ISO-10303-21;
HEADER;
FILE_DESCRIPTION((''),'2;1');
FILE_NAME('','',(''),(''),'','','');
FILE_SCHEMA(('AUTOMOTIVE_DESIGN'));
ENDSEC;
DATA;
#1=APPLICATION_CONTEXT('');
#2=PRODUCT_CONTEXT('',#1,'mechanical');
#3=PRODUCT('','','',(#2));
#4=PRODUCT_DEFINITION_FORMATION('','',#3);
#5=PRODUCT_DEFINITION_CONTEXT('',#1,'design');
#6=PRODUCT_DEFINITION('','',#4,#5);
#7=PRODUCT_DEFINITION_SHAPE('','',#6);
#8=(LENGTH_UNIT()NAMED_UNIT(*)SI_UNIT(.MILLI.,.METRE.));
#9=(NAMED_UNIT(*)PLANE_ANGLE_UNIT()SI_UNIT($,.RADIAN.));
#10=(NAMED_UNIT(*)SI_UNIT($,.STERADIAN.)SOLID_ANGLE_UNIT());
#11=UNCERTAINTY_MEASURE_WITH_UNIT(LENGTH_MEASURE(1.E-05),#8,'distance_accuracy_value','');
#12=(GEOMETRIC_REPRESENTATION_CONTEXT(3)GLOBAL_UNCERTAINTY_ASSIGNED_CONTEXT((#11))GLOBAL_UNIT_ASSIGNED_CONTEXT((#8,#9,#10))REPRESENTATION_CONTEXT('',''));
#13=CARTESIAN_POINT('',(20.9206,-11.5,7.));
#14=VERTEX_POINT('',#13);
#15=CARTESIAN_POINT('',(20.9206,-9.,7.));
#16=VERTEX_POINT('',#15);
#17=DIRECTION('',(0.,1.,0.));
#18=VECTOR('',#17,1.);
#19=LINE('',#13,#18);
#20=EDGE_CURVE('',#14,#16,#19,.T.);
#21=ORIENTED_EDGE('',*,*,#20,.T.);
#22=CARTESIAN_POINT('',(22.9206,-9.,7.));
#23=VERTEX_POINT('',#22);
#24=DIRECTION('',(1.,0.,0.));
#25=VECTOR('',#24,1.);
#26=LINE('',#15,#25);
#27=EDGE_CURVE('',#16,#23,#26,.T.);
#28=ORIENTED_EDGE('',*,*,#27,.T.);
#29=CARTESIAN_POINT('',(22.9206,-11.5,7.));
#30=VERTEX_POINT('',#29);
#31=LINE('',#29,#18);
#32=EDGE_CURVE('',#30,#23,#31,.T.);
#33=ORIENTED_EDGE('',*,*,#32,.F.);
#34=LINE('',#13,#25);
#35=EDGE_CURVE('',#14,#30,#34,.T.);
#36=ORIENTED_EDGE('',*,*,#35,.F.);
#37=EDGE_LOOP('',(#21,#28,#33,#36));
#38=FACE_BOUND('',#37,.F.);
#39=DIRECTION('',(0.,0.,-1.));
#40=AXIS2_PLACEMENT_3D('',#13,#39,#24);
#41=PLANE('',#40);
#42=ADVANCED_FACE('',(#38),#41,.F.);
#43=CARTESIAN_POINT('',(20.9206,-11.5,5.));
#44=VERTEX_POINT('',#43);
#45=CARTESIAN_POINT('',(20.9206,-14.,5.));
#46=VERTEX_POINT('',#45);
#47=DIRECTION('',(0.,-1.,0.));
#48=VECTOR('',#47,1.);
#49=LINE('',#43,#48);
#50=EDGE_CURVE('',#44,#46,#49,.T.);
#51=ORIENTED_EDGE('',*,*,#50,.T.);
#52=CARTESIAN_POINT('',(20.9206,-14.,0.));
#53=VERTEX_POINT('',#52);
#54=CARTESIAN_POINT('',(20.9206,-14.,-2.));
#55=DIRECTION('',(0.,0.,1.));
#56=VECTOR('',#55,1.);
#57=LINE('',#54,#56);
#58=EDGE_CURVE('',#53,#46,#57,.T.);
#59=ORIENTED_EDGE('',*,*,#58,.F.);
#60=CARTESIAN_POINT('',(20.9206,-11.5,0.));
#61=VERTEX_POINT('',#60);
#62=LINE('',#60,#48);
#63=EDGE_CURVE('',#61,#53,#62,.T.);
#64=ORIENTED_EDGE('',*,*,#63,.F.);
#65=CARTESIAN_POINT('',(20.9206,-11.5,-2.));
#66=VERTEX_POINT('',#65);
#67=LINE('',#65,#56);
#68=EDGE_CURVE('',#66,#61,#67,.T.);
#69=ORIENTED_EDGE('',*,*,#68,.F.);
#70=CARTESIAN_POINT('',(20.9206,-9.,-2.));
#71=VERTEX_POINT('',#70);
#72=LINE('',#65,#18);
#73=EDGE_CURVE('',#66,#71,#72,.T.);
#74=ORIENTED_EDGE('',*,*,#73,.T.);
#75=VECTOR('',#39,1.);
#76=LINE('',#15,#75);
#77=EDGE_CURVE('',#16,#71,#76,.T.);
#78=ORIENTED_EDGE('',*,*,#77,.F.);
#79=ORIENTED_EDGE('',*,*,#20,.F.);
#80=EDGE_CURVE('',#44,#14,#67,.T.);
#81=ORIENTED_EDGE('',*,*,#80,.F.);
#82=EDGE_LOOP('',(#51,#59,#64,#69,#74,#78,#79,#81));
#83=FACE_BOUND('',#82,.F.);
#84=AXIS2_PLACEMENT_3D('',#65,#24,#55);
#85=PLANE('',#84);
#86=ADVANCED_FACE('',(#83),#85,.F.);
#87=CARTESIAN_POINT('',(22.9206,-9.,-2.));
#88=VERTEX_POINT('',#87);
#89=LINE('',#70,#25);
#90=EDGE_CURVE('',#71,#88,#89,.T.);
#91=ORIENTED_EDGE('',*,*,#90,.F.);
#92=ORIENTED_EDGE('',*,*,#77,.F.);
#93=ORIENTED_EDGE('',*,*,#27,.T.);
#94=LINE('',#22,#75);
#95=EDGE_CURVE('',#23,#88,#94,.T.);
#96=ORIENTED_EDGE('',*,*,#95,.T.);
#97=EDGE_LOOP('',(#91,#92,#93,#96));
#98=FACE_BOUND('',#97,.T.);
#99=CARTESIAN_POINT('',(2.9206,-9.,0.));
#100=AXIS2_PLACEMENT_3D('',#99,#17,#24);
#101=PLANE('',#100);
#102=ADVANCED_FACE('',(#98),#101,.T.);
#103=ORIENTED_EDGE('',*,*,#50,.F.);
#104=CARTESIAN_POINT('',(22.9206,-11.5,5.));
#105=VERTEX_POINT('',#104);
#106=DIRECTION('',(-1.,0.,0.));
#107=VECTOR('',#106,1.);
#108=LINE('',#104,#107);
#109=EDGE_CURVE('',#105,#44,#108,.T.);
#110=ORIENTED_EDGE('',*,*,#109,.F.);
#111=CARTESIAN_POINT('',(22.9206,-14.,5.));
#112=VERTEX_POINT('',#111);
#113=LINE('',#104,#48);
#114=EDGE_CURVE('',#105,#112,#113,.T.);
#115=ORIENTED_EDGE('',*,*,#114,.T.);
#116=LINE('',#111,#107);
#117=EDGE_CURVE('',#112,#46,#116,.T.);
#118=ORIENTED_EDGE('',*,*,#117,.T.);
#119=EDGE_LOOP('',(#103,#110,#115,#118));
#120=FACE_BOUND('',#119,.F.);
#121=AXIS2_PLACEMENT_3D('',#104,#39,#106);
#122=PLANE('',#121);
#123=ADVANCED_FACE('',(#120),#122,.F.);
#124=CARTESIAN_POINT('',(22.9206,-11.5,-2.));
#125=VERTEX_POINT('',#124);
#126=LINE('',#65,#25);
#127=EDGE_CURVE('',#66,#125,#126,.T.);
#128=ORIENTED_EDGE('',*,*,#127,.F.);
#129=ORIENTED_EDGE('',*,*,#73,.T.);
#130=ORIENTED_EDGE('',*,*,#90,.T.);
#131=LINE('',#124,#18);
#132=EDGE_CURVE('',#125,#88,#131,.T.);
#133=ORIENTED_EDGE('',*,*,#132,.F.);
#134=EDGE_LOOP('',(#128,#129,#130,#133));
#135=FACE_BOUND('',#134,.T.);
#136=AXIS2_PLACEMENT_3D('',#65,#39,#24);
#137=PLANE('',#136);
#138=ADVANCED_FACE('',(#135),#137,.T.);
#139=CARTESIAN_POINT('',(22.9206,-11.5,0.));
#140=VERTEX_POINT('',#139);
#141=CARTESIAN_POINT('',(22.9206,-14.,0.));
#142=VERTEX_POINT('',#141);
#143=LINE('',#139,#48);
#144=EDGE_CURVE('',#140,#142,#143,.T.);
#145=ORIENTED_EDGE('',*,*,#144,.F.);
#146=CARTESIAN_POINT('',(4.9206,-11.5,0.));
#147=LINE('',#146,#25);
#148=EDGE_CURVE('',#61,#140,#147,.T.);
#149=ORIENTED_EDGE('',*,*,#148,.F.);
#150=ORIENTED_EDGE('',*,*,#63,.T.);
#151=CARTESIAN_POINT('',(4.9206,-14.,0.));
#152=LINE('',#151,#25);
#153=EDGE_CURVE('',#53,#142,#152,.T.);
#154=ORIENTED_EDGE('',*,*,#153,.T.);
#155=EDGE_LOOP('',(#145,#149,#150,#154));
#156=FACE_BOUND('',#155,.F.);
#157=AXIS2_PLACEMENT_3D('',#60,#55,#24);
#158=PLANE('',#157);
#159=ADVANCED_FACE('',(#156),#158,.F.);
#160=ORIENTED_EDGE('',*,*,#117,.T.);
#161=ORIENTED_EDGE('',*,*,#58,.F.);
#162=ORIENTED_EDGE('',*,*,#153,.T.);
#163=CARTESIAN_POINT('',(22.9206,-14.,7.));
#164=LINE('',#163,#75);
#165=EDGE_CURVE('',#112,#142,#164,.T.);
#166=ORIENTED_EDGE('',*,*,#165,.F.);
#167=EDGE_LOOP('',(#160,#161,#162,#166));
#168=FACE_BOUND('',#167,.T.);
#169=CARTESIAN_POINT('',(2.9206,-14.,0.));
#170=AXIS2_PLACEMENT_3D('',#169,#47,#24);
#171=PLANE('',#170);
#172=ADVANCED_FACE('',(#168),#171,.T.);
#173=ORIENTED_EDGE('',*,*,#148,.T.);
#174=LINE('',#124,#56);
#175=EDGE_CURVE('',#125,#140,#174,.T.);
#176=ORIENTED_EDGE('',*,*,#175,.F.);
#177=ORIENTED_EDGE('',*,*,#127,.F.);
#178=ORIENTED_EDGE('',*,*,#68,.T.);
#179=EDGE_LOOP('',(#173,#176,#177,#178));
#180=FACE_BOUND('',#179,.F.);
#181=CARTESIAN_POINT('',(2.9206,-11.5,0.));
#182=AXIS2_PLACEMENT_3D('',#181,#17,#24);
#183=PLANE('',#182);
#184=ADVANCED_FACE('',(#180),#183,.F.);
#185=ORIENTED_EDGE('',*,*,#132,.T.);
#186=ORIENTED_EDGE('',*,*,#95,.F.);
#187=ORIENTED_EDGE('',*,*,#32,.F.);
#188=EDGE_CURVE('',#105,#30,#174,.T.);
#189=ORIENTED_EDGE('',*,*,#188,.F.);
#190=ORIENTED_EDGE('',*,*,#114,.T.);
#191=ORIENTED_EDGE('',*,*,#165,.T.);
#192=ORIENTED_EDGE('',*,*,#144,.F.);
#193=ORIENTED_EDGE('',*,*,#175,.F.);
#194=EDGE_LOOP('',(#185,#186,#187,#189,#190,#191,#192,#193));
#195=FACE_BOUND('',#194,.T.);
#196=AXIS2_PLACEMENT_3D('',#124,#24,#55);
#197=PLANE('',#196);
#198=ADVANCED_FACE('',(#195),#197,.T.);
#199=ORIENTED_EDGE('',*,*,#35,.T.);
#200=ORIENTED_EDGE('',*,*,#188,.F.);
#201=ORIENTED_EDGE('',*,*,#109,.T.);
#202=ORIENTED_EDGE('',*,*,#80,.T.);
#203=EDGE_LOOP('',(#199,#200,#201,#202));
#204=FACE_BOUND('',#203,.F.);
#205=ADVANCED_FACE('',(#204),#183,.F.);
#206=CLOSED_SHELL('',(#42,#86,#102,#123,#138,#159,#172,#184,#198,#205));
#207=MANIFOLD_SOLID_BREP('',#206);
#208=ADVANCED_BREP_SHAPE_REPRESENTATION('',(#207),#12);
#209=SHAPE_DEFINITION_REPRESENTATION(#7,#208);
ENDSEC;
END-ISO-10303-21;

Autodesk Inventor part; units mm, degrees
ref_plane "YZ Plane" through (0, 0, 0) normal (1, 0, 0) x (0, 1, 0)
ref_plane "XZ Plane" through (0, 0, 0) normal (0, 1, 0) x (-1, 0, 0)
ref_plane "XY Plane" through (0, 0, 0) normal (0, 0, 1) x (1, 0, 0)
ref_plane "Work Plane1" through (2.9206, -11.5, 0) normal (0, 1, 0) x (1, 0, 0)
sketch "Sketch1" plane through (2.9206, -11.5, 0) normal (0, 1, 0) x (1, 0, 0)
  line L0 (0, 0) -> (30, 0) projected
  line L1 (30, 0) -> (30, 2) projected
  line L2 (20, 2) -> (30, 2) projected
  line L3 (20, 2) -> (20, 4) projected
  line L4 (18, 4) -> (20, 4) projected
  line L5 (18, 2) -> (18, 4) projected
  line L6 (15, 2) -> (18, 2) projected
  line L7 (15, 2) -> (15, 4) projected
  line L8 (13, 4) -> (15, 4) projected
  line L9 (13, 2) -> (13, 4) projected
  line L10 (0, 2) -> (13, 2) projected
  line L11 (0, 0) -> (0, 2) projected
  line L12 (18, 2) -> (18, 0)
  line L13 (18, 2) -> (20, 2)
  line L14 (20, 2) -> (20, 0)
  line L15 (18, 0) -> (20, 0)
  line L16 (18, 0) -> (18, -5)
  line L17 (18, -5) -> (20, -5)
  line L18 (20, -5) -> (20, 0)
  line L19 (18, -5) -> (18, -7)
  line L20 (18, -7) -> (20, -7)
  line L21 (20, -7) -> (20, -5)
  point P0 (-2.9206, 0)
  dimension "d7" = 5
  dimension "d8" = 2
ref_plane "Work Plane2" through (2.9206, -11.5, 0) normal (0, -1, 0) x (1, 0, 0)
extrude "Extrusion3" add sketch "Sketch1" along normal blind 2.5 contours L12 L13 L14 L0 | L0 L18 L17 L16 | L17 L21 L20 L19
sketch "Sketch3" plane through (2.9206, -11.5, 0) normal (0, -1, 0) x (1, 0, 0)
  line L0 (20, 7) -> (20, -2) projected
  line L1 (2, 0) -> (28, 0) projected
  line L2 (20, 0) -> (20, 5)
  line L3 (20, 7) -> (20, -2) projected
  line L4 (20, 5) -> (18, 5)
  line L5 (18, -2) -> (18, 7) projected
  line L6 (18, 5) -> (18, 0)
  line L7 (20, 0) -> (18, 0)
  point P0 (-2.9206, 0)
  dimension "d11" = 5
extrude "Extrusion4" add sketch "Sketch3" along normal blind 2.5
properties part number "spacer_"
